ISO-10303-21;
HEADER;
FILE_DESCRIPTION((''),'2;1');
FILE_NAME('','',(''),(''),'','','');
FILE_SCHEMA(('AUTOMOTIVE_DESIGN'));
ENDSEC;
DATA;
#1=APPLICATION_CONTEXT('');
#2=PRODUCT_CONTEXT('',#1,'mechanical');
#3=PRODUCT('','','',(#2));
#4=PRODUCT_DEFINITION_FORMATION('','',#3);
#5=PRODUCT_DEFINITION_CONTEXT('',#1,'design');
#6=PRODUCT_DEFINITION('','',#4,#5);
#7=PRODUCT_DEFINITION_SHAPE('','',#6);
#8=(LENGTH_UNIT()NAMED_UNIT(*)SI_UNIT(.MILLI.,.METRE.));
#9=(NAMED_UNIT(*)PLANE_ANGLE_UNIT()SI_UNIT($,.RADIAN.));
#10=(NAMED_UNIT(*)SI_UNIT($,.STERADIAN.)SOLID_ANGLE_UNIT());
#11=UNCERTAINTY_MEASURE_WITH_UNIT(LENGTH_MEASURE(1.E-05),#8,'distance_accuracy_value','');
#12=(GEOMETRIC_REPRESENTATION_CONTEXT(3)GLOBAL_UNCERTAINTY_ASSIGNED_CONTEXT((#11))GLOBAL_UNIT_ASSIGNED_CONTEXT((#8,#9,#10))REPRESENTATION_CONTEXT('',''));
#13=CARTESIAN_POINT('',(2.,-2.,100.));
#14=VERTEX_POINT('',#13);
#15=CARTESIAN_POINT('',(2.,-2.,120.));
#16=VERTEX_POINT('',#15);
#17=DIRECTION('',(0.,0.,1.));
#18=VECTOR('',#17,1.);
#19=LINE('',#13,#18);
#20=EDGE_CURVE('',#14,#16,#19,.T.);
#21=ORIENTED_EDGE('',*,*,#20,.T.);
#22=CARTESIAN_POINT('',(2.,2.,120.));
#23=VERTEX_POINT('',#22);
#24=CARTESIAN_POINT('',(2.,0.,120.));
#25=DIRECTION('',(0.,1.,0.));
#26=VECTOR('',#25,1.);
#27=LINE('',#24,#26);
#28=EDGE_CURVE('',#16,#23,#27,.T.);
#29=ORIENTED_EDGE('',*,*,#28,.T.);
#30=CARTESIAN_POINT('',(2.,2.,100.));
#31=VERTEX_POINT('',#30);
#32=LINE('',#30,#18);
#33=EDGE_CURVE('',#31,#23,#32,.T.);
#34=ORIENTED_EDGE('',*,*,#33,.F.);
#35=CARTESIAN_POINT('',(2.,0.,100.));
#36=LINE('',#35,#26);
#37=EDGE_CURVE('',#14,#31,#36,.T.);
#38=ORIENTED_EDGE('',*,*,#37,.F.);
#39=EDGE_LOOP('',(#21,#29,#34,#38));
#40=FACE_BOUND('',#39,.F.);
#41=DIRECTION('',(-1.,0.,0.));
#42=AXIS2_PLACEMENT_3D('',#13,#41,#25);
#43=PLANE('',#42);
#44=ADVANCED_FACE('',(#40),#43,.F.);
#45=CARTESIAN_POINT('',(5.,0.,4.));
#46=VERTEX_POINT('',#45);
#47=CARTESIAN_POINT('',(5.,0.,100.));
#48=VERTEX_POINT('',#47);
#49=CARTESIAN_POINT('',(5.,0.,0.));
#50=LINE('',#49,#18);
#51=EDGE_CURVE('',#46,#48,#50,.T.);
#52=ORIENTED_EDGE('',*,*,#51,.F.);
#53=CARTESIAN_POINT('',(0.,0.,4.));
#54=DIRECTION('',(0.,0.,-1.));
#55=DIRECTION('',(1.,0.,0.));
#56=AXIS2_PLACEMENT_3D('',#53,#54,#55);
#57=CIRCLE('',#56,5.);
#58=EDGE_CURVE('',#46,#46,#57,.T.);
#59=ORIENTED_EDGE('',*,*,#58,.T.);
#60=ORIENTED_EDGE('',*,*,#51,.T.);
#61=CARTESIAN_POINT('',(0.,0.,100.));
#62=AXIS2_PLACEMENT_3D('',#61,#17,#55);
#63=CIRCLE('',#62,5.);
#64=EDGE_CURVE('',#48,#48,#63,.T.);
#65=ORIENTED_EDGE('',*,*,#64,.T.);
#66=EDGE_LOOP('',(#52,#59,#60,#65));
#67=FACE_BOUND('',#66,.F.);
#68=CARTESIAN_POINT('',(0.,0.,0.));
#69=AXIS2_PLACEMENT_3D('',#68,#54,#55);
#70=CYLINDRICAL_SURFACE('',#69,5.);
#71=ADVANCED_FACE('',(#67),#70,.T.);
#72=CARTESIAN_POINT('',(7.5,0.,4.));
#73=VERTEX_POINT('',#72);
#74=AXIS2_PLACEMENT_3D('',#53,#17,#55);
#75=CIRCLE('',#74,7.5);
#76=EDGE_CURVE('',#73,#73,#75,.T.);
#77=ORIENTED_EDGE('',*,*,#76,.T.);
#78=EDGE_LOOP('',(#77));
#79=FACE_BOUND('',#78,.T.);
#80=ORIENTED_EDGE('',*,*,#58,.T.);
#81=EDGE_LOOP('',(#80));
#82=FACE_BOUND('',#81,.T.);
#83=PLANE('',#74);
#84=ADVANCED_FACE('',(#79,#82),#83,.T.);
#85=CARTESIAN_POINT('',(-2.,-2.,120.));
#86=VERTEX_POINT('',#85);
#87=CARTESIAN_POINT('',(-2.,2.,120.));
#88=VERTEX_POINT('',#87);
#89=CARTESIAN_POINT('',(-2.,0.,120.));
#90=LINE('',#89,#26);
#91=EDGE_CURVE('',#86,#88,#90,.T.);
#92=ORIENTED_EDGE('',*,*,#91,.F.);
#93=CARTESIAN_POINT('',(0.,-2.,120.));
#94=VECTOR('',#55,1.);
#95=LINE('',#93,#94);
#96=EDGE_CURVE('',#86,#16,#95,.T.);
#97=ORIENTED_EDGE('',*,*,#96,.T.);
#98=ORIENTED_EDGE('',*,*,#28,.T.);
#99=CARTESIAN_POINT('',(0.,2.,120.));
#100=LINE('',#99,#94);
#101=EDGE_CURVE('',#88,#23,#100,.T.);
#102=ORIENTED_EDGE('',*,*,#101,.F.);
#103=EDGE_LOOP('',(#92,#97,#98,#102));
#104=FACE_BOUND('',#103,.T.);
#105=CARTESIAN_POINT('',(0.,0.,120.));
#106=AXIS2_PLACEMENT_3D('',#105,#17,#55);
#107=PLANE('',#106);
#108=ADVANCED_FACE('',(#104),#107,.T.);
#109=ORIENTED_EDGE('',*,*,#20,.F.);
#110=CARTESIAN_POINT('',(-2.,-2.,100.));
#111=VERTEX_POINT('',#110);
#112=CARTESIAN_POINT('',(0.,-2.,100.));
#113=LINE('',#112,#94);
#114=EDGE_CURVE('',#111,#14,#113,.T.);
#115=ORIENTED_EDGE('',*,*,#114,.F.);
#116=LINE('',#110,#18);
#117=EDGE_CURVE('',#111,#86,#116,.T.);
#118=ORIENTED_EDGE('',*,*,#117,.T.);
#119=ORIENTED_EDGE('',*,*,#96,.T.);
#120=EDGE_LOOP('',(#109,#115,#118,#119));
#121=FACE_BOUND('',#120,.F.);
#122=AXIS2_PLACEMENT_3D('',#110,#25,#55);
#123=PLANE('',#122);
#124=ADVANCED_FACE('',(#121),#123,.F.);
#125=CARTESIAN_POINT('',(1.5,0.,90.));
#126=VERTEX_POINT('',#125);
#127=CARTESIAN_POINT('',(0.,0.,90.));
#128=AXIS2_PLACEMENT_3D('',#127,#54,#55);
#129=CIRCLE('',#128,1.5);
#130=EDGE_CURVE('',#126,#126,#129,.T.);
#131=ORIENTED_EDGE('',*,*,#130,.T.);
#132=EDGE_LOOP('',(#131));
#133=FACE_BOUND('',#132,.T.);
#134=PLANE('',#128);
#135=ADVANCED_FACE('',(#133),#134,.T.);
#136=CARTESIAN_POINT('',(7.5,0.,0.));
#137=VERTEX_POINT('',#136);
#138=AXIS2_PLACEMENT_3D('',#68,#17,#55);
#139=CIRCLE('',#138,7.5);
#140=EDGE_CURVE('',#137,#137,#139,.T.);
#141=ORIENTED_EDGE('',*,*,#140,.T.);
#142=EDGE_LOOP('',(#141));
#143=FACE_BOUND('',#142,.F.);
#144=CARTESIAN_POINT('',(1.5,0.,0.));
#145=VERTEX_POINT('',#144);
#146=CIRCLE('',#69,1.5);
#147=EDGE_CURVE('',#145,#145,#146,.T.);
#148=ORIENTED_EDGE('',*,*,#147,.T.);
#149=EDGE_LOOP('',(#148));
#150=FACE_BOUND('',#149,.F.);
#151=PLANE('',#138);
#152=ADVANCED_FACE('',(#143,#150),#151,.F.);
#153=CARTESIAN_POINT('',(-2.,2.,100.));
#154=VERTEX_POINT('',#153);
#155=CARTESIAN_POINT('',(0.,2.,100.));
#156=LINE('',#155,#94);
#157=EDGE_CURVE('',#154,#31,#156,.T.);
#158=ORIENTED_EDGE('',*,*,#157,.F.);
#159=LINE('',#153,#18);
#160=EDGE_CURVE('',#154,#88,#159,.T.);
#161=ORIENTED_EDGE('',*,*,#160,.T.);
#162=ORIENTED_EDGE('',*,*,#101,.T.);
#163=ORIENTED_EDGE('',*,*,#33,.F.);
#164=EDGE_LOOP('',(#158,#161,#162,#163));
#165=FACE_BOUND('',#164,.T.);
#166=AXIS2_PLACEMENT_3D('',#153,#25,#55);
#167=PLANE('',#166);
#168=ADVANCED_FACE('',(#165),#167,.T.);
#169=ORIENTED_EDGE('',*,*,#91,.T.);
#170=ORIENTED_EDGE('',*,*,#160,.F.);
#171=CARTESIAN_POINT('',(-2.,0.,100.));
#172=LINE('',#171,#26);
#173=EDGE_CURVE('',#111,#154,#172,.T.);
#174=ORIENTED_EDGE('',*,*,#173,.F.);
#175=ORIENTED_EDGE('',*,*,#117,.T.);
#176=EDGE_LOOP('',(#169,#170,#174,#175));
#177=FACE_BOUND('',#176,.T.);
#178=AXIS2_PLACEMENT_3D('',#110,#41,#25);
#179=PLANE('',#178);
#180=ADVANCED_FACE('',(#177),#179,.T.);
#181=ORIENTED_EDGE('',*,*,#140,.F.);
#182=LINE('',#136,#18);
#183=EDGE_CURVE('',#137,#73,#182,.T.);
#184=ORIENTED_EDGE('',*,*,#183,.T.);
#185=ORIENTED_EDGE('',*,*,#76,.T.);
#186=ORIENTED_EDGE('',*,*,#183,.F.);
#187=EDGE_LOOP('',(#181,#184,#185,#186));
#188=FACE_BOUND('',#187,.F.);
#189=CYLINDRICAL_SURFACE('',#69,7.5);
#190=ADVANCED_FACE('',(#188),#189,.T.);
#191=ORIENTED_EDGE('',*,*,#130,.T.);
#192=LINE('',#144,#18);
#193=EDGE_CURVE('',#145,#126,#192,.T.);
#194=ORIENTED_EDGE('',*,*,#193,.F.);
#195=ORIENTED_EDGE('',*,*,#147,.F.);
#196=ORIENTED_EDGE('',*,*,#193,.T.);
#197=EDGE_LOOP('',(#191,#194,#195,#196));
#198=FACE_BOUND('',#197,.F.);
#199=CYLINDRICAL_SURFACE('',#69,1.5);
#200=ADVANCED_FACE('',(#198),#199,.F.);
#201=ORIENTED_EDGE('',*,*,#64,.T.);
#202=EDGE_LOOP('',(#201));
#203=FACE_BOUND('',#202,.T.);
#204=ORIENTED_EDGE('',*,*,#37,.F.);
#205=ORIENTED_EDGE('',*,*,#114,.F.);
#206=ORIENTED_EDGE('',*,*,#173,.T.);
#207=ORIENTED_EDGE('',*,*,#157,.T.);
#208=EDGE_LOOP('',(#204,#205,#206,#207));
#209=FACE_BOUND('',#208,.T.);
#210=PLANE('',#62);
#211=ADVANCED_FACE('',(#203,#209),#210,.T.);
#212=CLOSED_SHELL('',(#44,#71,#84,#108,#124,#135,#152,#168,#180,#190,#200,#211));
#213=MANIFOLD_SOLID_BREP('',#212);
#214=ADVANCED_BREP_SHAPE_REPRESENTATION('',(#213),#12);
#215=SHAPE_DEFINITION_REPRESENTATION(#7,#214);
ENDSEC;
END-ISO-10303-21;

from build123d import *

# Parameters (mm, degrees)
F0_R     = 7.5
F1_DEPTH = 4
F2_R     = 5
F3_DEPTH = 100
F4_W     = 4
F4_H     = 4
F5_DEPTH = 20
F6_R     = 1.5
F7_DEPTH = 90


with BuildPart() as f1:
    # F0 (on Top) → F1 (new body)
    with BuildSketch(Plane.XY):
        Circle(F0_R)
    extrude(amount=F1_DEPTH)

    # F2 (on Top) → F3 (join)
    with BuildSketch(Plane.XY):
        Circle(F2_R)
    extrude(amount=F3_DEPTH)

    # F4 (on face) → F5 (join)
    with BuildSketch(Plane.XY.offset(100)):
        Rectangle(F4_W, F4_H)
    extrude(amount=F5_DEPTH)

    # F6 (on face) → F7 (cut)
    with BuildSketch(Plane(origin=(0, 0, 0), x_dir=(1, 0, 0), z_dir=(0, 0, -1))):
        Circle(F6_R)
    extrude(amount=-F7_DEPTH, mode=Mode.SUBTRACT)


solid = f1.part
